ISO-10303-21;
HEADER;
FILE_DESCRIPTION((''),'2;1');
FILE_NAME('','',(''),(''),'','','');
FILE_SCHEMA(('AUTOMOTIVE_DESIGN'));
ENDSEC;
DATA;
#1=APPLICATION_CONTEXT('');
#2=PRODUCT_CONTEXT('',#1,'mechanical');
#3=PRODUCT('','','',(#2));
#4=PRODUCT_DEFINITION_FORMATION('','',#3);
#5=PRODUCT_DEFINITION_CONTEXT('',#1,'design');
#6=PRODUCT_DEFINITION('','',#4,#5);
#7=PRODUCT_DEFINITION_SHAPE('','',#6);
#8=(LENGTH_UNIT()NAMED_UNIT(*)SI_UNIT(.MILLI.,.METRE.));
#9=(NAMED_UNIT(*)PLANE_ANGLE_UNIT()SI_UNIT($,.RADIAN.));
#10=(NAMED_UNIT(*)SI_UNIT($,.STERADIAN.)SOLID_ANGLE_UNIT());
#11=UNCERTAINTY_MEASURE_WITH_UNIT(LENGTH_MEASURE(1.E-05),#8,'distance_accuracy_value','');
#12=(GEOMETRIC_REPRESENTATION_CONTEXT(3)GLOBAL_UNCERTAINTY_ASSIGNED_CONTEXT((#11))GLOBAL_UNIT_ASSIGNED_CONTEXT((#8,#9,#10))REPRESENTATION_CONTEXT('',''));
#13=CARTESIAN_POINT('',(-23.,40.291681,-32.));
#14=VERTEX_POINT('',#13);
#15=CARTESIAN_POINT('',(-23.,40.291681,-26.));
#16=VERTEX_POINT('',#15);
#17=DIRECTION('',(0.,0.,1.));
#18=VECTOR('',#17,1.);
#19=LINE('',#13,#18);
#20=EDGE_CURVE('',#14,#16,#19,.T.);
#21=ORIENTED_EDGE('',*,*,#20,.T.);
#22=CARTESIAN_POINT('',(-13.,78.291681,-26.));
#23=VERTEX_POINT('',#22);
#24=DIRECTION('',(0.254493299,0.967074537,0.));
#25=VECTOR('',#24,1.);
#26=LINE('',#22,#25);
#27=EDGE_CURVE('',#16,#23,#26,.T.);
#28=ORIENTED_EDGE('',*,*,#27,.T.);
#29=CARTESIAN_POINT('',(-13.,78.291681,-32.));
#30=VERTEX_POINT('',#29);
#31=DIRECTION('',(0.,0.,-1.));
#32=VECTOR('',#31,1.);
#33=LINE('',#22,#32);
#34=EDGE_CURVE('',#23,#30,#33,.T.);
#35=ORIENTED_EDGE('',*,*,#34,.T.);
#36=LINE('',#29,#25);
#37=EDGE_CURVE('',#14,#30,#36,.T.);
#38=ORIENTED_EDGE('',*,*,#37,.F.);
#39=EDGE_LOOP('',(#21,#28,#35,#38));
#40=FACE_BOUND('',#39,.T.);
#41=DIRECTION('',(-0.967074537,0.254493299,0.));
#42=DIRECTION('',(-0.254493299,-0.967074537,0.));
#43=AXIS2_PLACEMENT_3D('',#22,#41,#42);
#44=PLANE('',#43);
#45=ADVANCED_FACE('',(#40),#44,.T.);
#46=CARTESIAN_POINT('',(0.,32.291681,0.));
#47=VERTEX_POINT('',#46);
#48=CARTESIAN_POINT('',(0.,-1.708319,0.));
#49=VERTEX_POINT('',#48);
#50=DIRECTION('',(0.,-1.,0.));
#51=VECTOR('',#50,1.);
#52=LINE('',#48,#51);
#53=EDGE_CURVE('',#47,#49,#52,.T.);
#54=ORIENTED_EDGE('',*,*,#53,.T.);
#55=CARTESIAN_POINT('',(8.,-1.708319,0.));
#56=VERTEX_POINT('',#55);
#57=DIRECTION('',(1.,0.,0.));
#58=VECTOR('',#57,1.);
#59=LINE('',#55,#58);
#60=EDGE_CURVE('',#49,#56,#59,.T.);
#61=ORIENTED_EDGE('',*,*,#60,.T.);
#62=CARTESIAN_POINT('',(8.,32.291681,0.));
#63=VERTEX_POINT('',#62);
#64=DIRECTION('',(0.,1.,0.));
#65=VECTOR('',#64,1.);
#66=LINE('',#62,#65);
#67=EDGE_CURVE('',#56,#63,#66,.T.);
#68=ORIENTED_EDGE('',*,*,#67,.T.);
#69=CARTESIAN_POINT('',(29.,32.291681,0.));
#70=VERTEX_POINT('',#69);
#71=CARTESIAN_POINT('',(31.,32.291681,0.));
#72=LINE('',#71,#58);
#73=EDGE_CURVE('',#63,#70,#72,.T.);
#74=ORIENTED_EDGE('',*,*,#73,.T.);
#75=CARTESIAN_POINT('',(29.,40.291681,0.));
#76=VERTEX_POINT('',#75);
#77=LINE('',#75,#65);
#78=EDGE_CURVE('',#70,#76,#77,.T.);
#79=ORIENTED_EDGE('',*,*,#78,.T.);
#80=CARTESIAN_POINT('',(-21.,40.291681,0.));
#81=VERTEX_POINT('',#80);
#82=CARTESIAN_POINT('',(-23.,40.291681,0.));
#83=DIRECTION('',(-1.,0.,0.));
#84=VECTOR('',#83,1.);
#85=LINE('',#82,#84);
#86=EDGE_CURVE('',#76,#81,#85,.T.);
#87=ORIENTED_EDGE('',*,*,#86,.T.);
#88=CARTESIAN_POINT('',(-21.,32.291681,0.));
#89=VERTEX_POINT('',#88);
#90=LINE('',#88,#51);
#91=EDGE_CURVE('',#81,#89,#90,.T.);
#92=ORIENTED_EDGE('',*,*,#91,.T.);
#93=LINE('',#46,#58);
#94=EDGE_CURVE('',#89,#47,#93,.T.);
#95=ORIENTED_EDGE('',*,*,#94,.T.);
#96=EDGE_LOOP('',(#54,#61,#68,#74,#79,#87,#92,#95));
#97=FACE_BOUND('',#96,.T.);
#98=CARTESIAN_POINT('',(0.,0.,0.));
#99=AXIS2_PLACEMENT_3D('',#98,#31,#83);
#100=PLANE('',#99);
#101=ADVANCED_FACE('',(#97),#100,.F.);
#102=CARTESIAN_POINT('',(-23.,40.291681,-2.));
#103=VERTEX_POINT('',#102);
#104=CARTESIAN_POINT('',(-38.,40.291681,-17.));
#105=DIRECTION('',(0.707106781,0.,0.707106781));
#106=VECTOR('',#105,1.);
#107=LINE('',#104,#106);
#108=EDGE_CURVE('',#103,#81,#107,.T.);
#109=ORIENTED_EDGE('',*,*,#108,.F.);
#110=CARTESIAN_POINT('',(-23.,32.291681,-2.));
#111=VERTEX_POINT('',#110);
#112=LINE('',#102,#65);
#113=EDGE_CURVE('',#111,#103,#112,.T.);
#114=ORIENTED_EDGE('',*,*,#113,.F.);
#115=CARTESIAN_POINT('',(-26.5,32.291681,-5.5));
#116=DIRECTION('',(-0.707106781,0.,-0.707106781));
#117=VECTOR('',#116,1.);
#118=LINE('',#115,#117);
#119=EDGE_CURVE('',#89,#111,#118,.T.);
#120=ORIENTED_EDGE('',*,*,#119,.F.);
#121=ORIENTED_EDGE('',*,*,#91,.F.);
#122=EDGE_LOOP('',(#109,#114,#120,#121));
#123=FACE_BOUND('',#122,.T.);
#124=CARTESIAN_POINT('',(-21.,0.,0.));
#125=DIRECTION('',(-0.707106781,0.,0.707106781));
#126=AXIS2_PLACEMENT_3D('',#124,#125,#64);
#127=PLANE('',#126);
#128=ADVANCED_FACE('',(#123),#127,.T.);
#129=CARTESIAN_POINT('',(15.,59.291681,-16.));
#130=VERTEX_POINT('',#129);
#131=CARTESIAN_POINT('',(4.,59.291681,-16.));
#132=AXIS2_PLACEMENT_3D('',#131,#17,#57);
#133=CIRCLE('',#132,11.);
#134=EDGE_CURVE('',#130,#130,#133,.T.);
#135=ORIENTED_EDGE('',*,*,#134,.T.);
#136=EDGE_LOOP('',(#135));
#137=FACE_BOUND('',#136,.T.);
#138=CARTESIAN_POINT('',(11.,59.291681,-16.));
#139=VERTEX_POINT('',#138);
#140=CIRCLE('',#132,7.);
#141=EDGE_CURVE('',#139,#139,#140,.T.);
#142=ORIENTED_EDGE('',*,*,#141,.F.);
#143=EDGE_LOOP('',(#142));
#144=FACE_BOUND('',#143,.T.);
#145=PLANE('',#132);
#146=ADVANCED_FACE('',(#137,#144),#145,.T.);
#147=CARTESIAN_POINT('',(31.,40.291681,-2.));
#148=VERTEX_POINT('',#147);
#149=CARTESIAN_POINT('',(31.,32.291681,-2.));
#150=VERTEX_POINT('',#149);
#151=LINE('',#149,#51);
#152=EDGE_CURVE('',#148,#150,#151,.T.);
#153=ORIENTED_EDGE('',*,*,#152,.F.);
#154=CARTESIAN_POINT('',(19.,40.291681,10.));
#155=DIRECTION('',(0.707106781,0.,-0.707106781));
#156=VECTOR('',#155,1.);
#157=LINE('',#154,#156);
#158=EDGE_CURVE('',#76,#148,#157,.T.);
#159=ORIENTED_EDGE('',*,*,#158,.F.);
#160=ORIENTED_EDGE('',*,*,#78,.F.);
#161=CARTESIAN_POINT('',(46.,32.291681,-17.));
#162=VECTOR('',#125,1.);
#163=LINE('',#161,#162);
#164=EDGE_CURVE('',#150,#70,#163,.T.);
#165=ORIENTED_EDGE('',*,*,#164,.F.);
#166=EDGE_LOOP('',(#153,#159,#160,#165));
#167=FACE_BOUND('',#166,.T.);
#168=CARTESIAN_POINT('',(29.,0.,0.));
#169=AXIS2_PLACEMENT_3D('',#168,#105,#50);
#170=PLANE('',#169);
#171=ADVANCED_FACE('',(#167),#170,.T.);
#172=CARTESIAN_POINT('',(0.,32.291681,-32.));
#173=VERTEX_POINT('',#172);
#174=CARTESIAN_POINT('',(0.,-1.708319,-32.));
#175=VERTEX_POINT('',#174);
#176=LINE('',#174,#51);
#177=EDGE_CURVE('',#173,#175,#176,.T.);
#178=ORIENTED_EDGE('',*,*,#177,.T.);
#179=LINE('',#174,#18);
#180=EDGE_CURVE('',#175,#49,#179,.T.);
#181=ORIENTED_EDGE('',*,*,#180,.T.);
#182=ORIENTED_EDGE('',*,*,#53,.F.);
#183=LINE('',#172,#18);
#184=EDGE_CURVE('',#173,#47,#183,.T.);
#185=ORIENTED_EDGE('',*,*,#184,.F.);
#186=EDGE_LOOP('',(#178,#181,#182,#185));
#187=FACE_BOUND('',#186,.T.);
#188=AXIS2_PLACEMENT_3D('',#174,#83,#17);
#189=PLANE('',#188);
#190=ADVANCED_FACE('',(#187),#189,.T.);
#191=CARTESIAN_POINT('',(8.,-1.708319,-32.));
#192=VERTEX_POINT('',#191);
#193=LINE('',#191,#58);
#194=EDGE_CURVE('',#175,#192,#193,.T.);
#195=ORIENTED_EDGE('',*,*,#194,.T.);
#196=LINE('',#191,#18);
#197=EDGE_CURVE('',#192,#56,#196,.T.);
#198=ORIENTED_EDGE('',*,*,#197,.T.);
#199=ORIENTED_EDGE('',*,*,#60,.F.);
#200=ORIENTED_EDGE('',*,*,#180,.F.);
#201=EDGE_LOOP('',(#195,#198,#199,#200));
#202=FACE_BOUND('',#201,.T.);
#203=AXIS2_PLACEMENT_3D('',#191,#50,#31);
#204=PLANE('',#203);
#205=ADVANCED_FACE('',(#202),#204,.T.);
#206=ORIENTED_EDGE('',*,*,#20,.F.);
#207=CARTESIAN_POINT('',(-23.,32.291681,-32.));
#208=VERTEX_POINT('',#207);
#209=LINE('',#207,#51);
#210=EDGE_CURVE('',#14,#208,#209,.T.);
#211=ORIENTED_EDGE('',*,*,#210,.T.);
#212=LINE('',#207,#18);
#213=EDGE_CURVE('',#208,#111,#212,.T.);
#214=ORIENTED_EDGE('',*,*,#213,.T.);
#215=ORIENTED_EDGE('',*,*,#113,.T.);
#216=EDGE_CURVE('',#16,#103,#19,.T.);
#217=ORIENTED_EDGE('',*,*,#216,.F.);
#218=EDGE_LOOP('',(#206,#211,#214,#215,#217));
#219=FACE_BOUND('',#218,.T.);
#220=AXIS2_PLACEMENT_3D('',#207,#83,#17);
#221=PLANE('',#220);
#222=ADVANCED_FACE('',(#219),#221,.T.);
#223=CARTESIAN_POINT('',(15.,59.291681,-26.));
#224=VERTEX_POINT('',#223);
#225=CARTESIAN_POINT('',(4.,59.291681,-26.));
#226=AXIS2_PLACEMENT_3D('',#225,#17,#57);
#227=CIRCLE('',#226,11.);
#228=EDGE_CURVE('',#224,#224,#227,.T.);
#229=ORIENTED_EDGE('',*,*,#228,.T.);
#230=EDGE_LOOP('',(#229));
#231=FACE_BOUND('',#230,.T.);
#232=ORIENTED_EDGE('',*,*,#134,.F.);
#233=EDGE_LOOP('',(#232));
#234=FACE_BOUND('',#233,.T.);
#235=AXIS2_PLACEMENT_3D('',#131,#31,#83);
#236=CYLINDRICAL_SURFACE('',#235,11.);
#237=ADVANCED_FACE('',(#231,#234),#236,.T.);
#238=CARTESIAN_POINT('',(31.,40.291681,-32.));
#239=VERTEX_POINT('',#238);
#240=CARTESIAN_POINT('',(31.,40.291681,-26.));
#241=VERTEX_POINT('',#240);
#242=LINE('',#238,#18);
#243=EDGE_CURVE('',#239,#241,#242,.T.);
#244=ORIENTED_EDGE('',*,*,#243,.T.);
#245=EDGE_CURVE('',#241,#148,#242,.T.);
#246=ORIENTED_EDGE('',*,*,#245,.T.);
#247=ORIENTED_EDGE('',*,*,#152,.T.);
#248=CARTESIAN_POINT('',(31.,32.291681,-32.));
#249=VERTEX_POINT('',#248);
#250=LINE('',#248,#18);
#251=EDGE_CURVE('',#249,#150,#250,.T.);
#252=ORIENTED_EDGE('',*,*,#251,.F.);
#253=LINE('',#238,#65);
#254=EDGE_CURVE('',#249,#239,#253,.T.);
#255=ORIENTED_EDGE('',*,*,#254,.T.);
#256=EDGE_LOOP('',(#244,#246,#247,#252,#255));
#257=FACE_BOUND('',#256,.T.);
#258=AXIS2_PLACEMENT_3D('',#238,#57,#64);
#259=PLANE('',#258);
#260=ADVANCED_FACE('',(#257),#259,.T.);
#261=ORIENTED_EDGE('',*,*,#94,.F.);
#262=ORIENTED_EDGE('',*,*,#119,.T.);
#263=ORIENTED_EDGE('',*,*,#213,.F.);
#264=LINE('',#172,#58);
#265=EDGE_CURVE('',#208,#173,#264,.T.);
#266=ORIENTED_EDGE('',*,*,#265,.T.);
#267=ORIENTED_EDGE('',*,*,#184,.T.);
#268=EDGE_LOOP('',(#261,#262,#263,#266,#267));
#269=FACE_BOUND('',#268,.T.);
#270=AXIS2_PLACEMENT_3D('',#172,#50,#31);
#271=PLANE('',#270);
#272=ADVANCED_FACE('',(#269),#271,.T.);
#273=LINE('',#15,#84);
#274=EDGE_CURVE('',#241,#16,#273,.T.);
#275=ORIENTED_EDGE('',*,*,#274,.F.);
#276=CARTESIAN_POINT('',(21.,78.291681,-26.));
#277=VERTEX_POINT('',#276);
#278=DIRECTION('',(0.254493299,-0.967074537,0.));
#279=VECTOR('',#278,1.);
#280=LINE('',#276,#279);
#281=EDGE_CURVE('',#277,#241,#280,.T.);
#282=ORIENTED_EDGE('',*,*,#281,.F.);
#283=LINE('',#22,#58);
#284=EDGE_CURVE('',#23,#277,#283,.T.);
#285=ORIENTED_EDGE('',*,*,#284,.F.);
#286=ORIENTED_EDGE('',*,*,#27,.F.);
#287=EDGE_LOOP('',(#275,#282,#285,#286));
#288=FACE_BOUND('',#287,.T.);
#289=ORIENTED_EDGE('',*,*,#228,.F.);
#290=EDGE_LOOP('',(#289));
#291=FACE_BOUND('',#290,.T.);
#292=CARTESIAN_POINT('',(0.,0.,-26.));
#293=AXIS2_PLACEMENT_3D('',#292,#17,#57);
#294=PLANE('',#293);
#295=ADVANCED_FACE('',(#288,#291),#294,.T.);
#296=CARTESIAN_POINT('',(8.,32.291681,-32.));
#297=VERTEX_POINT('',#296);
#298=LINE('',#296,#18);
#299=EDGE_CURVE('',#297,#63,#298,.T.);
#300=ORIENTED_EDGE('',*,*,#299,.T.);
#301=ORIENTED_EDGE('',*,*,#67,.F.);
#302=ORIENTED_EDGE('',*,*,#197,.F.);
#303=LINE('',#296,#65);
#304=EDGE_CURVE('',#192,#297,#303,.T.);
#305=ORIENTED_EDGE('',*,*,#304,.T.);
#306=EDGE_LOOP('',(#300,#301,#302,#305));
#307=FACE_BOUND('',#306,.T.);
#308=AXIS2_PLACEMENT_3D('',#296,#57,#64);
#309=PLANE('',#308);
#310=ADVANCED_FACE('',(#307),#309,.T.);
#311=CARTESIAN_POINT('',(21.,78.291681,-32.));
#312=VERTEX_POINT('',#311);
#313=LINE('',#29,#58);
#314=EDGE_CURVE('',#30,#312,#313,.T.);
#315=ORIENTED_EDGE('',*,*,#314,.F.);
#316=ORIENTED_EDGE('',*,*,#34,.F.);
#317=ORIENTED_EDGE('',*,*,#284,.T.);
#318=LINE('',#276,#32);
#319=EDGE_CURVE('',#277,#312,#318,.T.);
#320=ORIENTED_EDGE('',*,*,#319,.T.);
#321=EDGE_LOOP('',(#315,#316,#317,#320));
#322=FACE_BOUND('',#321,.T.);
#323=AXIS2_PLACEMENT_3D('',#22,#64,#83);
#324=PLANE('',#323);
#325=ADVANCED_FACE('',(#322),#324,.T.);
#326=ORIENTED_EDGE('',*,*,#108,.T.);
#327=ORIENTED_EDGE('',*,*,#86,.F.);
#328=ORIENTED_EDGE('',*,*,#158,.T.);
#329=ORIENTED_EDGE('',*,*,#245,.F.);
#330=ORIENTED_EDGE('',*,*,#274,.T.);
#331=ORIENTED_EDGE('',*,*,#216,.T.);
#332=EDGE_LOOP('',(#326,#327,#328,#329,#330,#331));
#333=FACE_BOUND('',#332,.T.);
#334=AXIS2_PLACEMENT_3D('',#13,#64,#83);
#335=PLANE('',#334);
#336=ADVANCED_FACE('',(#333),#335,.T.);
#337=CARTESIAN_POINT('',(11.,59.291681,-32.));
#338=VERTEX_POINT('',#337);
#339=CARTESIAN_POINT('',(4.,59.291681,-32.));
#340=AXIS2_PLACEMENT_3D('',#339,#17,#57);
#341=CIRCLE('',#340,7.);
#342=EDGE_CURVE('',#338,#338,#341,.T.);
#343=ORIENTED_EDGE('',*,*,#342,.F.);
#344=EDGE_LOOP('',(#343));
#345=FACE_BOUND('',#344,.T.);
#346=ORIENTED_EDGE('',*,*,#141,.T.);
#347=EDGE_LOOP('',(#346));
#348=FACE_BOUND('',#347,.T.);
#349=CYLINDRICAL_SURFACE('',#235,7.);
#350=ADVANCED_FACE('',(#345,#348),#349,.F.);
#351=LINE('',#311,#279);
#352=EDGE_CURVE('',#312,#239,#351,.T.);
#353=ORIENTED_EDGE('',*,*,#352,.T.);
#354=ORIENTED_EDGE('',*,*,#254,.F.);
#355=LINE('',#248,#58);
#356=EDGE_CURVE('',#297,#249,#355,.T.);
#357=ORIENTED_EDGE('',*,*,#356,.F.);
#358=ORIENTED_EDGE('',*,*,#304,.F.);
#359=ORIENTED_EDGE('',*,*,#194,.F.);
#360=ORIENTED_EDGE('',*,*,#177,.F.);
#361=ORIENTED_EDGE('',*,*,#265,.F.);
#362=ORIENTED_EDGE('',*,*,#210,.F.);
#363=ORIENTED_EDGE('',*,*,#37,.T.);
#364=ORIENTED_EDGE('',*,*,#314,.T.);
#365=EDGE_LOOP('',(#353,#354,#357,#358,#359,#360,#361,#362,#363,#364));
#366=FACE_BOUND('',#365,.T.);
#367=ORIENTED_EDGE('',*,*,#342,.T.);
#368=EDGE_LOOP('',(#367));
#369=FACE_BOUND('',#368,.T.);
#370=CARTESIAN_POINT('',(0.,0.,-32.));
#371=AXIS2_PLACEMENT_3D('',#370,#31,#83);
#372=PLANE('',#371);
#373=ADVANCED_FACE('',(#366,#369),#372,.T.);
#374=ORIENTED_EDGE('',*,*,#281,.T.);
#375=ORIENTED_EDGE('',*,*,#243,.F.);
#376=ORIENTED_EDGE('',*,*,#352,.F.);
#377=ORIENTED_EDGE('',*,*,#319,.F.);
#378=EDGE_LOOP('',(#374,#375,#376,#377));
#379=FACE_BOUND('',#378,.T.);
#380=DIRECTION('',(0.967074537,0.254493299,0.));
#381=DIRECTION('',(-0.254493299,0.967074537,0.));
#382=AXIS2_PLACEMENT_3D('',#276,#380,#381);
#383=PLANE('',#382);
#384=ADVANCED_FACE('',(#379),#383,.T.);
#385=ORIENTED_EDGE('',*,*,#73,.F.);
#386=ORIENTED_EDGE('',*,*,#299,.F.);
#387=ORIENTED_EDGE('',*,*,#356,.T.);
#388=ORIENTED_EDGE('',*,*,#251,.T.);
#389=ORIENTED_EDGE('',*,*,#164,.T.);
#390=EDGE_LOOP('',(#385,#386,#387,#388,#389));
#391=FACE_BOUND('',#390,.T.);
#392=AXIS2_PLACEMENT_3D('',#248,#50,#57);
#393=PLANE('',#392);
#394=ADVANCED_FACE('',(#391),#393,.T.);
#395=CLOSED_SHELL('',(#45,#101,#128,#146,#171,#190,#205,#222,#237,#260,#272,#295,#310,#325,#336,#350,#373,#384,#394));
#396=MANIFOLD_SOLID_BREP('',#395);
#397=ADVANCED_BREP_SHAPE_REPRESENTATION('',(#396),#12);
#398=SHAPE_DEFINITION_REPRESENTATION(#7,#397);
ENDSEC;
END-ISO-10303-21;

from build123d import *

# Parameters (mm, degrees)
BOSS_EXTRUDE1_DEPTH = 32
CHAMFER1_SIZE       = 2
BOSS_EXTRUDE2_DEPTH = 6
SKETCH11_R          = 11
SKETCH11_R_2        = 7
BOSS_EXTRUDE3_DEPTH = 10
CUT_EXTRUDE1_START  = -6
SKETCH14_R          = 7
CUT_EXTRUDE1_DEPTH  = 6


with BuildPart() as part:
    # Sketch1 → Boss-Extrude1 (new body)
    with BuildSketch(Plane.XY):
        Polygon((0, -1.708319116), (0, 32.291680884), (-23, 32.291680884), (-23, 40.291680884), (31, 40.291680884), (31, 32.291680884), (8, 32.291680884), (8, -1.708319116), align=None)
    extrude(amount=-BOSS_EXTRUDE1_DEPTH)

    # Chamfer1
    chamfer1_edges = [part.edges().sort_by_distance(p)[0] for p in [
        (-23, 36.291680884, 0),
        (31, 36.291680884, 0),
    ]]
    chamfer(chamfer1_edges, length=CHAMFER1_SIZE)

    # Sketch5 → Boss-Extrude2 (add)
    with BuildSketch(Plane(origin=(0, 0, -32), x_dir=(-1, 0, 0), z_dir=(0, 0, -1))):
        Polygon((23, 40.291680884), (-31, 40.291680884), (-21, 78.291680884), (13, 78.291680884), align=None)
    extrude(amount=-BOSS_EXTRUDE2_DEPTH)

    # Sketch11 → Boss-Extrude3 (add)
    with BuildSketch(Plane.XY.offset(-26)):
        with Locations((4, 59.291680884)):
            Circle(SKETCH11_R)
        with Locations((4, 59.291680884)):
            Circle(SKETCH11_R_2, mode=Mode.SUBTRACT)
    extrude(amount=BOSS_EXTRUDE3_DEPTH)

    # Sketch14 → Cut-Extrude1 (cut)
    with BuildSketch(Plane.XY.offset(-26).offset(CUT_EXTRUDE1_START)):
        with Locations((4, 59.291680884)):
            Circle(SKETCH14_R)
    extrude(amount=CUT_EXTRUDE1_DEPTH, mode=Mode.SUBTRACT)


solid = part.part
